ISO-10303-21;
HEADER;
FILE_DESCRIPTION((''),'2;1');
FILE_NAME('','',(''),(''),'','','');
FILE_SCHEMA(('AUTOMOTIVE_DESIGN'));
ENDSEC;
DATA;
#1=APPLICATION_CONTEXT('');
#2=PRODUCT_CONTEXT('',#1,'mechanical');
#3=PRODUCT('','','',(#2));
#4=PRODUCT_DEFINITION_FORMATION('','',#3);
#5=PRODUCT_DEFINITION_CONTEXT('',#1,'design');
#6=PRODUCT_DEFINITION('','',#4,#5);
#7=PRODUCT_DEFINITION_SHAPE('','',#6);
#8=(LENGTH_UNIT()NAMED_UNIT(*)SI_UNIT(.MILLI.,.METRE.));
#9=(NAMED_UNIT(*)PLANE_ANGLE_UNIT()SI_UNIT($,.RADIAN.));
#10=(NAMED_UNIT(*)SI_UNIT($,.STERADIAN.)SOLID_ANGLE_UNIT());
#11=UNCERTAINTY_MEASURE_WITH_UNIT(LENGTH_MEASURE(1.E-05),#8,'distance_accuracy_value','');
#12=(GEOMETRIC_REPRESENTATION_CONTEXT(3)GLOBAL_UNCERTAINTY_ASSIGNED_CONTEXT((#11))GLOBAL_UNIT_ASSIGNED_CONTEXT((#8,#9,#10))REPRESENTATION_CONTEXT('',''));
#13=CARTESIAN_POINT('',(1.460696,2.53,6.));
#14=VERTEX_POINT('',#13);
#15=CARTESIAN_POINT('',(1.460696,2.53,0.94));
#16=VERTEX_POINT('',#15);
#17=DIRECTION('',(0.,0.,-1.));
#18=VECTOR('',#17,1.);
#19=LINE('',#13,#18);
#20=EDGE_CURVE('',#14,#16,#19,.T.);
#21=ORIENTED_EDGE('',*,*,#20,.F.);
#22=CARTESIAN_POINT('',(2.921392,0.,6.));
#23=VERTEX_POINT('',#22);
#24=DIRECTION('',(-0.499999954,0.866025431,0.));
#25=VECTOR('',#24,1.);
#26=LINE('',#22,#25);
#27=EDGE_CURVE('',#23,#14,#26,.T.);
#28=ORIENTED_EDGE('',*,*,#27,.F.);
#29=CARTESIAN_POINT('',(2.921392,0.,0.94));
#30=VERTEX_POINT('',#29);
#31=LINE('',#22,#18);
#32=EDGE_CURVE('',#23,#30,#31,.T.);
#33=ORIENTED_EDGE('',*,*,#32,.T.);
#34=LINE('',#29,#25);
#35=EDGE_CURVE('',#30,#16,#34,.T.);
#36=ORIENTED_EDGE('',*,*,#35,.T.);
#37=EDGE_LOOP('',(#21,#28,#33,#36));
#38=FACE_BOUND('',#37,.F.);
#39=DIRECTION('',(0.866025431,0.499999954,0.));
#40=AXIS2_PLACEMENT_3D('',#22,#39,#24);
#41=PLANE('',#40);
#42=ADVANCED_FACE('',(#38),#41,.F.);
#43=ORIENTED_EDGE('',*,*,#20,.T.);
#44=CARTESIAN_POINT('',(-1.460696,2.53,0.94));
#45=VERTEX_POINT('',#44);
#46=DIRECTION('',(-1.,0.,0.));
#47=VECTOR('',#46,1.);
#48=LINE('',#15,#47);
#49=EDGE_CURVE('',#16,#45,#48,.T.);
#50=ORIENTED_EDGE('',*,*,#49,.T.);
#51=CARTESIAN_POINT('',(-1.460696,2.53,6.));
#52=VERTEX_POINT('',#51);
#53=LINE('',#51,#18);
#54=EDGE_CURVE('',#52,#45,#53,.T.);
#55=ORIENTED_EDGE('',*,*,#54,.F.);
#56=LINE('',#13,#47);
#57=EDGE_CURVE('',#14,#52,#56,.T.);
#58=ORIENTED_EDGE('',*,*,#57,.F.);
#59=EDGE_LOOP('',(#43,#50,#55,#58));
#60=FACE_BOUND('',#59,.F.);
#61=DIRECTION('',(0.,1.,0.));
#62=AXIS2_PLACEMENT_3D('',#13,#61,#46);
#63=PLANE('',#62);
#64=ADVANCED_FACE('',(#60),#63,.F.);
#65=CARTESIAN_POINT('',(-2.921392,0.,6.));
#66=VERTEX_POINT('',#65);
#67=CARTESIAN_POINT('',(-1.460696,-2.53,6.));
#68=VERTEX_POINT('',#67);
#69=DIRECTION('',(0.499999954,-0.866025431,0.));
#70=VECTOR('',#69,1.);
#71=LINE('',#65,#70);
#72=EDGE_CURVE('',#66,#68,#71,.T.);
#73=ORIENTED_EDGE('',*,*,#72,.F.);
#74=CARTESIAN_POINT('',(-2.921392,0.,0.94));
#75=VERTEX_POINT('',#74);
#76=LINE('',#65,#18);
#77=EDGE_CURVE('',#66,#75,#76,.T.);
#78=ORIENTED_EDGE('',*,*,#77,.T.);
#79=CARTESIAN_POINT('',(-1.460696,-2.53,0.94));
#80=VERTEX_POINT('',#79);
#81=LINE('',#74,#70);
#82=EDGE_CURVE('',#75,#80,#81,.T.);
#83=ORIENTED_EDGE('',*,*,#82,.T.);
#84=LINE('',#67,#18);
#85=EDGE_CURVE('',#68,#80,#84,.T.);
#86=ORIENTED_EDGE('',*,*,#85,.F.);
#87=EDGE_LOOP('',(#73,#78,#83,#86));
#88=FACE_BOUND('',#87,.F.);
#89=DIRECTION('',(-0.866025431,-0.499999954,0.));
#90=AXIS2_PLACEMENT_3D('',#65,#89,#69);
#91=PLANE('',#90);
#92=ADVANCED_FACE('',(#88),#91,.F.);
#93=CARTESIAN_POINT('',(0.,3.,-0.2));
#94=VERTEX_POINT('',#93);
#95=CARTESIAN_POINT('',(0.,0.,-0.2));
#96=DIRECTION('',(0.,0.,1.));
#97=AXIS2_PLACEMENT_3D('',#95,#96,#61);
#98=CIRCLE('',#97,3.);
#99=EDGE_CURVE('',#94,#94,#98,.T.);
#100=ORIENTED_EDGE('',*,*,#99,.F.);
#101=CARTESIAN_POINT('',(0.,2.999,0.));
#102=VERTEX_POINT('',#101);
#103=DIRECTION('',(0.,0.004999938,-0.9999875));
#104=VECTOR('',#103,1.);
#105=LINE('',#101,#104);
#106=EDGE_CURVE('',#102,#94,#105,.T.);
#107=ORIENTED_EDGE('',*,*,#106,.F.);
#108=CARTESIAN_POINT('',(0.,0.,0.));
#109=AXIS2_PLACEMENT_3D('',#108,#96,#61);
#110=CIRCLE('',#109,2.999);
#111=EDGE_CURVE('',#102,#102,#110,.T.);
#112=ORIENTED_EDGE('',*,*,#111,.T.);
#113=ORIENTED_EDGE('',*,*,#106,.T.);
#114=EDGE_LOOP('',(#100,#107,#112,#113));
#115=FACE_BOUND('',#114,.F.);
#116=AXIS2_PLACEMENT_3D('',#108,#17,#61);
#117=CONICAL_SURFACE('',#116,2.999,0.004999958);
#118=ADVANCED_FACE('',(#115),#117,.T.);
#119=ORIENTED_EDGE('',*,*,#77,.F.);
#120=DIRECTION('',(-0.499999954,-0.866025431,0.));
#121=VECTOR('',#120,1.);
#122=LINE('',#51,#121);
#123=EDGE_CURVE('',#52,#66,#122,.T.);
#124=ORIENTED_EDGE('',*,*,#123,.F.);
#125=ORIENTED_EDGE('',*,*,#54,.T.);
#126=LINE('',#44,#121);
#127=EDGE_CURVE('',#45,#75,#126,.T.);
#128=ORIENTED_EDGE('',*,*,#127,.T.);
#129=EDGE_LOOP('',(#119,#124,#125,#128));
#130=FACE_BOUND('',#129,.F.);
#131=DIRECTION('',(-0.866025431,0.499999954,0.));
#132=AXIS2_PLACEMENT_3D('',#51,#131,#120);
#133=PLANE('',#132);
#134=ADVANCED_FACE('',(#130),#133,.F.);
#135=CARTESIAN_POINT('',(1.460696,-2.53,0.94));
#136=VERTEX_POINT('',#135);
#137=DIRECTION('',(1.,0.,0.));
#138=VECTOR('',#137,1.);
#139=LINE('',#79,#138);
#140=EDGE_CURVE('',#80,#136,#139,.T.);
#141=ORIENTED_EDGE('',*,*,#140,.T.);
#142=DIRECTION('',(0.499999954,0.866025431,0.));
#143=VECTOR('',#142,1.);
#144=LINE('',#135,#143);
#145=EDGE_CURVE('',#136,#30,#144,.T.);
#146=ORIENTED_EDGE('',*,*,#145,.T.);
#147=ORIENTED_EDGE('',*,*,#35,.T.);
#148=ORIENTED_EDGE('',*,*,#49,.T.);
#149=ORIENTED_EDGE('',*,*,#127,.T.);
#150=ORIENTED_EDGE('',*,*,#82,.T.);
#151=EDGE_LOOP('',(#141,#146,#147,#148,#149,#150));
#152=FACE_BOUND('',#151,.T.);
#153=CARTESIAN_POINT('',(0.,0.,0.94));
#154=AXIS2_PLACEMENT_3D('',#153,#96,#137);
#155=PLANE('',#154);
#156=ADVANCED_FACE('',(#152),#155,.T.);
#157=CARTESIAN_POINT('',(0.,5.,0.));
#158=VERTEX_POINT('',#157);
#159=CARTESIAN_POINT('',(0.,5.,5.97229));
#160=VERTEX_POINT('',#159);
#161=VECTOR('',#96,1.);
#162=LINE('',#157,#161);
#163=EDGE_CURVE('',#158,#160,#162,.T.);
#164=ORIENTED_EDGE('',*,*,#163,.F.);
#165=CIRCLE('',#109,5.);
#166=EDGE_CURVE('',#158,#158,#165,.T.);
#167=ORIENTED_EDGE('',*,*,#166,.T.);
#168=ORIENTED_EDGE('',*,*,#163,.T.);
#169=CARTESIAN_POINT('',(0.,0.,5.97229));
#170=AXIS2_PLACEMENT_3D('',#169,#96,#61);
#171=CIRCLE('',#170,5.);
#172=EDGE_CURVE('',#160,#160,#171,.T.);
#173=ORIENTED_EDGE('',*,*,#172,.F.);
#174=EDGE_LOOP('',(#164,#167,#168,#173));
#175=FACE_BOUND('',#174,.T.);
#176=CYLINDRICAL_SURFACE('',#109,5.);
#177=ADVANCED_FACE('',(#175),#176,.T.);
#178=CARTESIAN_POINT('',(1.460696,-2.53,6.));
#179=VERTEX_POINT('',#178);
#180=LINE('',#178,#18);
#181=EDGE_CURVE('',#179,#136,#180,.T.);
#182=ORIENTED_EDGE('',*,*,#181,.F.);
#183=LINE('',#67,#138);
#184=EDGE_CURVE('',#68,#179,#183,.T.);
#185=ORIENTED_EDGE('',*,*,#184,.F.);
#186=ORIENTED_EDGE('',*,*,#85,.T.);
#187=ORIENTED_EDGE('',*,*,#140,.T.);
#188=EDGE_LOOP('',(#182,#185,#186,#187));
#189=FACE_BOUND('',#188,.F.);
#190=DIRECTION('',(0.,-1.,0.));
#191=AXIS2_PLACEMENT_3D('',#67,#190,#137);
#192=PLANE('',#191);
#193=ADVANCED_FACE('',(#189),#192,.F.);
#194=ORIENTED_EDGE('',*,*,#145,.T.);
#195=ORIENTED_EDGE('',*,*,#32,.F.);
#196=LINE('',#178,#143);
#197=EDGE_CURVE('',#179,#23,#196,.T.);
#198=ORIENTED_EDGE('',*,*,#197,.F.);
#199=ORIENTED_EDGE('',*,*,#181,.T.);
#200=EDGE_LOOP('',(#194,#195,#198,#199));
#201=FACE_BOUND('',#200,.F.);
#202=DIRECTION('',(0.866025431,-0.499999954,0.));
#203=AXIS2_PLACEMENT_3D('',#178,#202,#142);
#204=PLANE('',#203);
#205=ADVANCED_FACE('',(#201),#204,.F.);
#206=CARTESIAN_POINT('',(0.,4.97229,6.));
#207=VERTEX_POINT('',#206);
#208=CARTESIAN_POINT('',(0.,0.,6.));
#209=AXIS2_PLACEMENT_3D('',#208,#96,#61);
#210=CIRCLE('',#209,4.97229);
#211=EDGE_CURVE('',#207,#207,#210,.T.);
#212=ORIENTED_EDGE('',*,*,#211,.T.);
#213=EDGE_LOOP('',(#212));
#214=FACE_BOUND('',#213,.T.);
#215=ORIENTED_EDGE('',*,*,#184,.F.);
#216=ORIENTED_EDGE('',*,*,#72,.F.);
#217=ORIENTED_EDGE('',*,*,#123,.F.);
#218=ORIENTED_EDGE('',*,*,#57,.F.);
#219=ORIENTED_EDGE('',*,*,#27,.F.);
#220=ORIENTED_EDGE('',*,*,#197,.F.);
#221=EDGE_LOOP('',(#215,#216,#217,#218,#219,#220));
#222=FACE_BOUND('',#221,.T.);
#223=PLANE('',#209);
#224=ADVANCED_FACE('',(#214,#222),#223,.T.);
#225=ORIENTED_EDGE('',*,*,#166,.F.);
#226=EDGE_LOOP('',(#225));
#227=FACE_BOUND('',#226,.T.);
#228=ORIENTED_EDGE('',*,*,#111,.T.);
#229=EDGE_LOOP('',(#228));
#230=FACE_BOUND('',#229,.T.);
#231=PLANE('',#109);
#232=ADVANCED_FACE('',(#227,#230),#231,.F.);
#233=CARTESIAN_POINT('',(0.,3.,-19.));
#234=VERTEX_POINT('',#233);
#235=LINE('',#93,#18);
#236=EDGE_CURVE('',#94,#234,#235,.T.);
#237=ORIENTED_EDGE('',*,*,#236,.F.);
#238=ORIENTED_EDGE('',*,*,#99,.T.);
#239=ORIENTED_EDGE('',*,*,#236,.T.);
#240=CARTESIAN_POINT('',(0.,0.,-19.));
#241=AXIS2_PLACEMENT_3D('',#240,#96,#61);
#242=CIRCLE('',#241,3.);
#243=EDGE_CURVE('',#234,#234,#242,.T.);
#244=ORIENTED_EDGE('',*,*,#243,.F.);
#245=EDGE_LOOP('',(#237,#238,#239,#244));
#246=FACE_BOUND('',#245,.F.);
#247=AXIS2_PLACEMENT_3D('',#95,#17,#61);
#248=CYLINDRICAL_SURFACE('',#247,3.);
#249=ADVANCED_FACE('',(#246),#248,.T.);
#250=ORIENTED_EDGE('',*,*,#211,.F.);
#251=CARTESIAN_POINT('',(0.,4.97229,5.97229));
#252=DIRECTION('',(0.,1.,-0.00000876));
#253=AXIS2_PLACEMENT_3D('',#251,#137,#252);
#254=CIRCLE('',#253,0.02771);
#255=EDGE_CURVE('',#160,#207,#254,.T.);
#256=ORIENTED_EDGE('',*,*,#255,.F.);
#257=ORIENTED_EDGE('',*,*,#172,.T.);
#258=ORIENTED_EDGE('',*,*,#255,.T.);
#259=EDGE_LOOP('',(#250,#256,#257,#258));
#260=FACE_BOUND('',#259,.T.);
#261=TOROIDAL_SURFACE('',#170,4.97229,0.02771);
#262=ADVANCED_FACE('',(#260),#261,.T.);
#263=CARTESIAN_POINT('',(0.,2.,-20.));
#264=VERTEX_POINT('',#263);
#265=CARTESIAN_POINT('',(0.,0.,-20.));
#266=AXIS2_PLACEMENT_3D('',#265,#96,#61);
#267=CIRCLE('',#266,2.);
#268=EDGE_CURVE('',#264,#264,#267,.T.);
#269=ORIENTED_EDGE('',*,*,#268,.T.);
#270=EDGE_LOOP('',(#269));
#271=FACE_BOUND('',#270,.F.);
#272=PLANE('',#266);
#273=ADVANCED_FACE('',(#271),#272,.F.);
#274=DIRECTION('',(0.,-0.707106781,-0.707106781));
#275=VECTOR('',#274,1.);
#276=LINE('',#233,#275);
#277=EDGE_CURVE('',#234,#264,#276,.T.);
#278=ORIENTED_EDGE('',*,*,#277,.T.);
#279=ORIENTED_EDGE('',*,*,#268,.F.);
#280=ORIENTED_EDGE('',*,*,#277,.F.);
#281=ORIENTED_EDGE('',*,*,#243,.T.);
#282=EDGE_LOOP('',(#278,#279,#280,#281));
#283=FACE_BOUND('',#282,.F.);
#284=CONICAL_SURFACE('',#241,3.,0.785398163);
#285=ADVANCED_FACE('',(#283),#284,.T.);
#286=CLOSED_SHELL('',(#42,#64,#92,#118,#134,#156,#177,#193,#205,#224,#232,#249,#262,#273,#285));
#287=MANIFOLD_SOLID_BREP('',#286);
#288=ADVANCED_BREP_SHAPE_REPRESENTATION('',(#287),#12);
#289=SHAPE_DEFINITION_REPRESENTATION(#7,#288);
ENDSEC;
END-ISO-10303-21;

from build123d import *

# Parameters (mm, degrees)
POCKET_DEPTH = 5.06


with BuildPart() as part:
    # Sketch → Revolve (revolve)
    with BuildSketch(Plane.YZ):
        with BuildLine():
            Line((2.999, 0), (5, 0))
            Line((5, 0), (5, 5.97229))
            ThreePointArc((5, 5.97229), (4.991884, 5.991884), (4.97229, 6))
            Line((4.97229, 6), (0, 6))
            Line((0, -20), (0, 6))
            Line((2, -20), (0, -20))
            Line((3, -19), (2, -20))
            Line((3, -0.2), (3, -19))
            Line((2.999, 0), (3, -0.2))
        make_face()
    revolve(axis=Axis((0, 0, 0), (0, 0, 1)))

    # Sketch001 → Pocket (cut)
    with BuildSketch(Plane.XY.offset(6)):
        Polygon((2.921392, 0), (1.460696, 2.53), (-1.460696, 2.53), (-2.921392, 0), (-1.460696, -2.53), (1.460696, -2.53), align=None)
    extrude(amount=-POCKET_DEPTH, mode=Mode.SUBTRACT)


solid = part.part
